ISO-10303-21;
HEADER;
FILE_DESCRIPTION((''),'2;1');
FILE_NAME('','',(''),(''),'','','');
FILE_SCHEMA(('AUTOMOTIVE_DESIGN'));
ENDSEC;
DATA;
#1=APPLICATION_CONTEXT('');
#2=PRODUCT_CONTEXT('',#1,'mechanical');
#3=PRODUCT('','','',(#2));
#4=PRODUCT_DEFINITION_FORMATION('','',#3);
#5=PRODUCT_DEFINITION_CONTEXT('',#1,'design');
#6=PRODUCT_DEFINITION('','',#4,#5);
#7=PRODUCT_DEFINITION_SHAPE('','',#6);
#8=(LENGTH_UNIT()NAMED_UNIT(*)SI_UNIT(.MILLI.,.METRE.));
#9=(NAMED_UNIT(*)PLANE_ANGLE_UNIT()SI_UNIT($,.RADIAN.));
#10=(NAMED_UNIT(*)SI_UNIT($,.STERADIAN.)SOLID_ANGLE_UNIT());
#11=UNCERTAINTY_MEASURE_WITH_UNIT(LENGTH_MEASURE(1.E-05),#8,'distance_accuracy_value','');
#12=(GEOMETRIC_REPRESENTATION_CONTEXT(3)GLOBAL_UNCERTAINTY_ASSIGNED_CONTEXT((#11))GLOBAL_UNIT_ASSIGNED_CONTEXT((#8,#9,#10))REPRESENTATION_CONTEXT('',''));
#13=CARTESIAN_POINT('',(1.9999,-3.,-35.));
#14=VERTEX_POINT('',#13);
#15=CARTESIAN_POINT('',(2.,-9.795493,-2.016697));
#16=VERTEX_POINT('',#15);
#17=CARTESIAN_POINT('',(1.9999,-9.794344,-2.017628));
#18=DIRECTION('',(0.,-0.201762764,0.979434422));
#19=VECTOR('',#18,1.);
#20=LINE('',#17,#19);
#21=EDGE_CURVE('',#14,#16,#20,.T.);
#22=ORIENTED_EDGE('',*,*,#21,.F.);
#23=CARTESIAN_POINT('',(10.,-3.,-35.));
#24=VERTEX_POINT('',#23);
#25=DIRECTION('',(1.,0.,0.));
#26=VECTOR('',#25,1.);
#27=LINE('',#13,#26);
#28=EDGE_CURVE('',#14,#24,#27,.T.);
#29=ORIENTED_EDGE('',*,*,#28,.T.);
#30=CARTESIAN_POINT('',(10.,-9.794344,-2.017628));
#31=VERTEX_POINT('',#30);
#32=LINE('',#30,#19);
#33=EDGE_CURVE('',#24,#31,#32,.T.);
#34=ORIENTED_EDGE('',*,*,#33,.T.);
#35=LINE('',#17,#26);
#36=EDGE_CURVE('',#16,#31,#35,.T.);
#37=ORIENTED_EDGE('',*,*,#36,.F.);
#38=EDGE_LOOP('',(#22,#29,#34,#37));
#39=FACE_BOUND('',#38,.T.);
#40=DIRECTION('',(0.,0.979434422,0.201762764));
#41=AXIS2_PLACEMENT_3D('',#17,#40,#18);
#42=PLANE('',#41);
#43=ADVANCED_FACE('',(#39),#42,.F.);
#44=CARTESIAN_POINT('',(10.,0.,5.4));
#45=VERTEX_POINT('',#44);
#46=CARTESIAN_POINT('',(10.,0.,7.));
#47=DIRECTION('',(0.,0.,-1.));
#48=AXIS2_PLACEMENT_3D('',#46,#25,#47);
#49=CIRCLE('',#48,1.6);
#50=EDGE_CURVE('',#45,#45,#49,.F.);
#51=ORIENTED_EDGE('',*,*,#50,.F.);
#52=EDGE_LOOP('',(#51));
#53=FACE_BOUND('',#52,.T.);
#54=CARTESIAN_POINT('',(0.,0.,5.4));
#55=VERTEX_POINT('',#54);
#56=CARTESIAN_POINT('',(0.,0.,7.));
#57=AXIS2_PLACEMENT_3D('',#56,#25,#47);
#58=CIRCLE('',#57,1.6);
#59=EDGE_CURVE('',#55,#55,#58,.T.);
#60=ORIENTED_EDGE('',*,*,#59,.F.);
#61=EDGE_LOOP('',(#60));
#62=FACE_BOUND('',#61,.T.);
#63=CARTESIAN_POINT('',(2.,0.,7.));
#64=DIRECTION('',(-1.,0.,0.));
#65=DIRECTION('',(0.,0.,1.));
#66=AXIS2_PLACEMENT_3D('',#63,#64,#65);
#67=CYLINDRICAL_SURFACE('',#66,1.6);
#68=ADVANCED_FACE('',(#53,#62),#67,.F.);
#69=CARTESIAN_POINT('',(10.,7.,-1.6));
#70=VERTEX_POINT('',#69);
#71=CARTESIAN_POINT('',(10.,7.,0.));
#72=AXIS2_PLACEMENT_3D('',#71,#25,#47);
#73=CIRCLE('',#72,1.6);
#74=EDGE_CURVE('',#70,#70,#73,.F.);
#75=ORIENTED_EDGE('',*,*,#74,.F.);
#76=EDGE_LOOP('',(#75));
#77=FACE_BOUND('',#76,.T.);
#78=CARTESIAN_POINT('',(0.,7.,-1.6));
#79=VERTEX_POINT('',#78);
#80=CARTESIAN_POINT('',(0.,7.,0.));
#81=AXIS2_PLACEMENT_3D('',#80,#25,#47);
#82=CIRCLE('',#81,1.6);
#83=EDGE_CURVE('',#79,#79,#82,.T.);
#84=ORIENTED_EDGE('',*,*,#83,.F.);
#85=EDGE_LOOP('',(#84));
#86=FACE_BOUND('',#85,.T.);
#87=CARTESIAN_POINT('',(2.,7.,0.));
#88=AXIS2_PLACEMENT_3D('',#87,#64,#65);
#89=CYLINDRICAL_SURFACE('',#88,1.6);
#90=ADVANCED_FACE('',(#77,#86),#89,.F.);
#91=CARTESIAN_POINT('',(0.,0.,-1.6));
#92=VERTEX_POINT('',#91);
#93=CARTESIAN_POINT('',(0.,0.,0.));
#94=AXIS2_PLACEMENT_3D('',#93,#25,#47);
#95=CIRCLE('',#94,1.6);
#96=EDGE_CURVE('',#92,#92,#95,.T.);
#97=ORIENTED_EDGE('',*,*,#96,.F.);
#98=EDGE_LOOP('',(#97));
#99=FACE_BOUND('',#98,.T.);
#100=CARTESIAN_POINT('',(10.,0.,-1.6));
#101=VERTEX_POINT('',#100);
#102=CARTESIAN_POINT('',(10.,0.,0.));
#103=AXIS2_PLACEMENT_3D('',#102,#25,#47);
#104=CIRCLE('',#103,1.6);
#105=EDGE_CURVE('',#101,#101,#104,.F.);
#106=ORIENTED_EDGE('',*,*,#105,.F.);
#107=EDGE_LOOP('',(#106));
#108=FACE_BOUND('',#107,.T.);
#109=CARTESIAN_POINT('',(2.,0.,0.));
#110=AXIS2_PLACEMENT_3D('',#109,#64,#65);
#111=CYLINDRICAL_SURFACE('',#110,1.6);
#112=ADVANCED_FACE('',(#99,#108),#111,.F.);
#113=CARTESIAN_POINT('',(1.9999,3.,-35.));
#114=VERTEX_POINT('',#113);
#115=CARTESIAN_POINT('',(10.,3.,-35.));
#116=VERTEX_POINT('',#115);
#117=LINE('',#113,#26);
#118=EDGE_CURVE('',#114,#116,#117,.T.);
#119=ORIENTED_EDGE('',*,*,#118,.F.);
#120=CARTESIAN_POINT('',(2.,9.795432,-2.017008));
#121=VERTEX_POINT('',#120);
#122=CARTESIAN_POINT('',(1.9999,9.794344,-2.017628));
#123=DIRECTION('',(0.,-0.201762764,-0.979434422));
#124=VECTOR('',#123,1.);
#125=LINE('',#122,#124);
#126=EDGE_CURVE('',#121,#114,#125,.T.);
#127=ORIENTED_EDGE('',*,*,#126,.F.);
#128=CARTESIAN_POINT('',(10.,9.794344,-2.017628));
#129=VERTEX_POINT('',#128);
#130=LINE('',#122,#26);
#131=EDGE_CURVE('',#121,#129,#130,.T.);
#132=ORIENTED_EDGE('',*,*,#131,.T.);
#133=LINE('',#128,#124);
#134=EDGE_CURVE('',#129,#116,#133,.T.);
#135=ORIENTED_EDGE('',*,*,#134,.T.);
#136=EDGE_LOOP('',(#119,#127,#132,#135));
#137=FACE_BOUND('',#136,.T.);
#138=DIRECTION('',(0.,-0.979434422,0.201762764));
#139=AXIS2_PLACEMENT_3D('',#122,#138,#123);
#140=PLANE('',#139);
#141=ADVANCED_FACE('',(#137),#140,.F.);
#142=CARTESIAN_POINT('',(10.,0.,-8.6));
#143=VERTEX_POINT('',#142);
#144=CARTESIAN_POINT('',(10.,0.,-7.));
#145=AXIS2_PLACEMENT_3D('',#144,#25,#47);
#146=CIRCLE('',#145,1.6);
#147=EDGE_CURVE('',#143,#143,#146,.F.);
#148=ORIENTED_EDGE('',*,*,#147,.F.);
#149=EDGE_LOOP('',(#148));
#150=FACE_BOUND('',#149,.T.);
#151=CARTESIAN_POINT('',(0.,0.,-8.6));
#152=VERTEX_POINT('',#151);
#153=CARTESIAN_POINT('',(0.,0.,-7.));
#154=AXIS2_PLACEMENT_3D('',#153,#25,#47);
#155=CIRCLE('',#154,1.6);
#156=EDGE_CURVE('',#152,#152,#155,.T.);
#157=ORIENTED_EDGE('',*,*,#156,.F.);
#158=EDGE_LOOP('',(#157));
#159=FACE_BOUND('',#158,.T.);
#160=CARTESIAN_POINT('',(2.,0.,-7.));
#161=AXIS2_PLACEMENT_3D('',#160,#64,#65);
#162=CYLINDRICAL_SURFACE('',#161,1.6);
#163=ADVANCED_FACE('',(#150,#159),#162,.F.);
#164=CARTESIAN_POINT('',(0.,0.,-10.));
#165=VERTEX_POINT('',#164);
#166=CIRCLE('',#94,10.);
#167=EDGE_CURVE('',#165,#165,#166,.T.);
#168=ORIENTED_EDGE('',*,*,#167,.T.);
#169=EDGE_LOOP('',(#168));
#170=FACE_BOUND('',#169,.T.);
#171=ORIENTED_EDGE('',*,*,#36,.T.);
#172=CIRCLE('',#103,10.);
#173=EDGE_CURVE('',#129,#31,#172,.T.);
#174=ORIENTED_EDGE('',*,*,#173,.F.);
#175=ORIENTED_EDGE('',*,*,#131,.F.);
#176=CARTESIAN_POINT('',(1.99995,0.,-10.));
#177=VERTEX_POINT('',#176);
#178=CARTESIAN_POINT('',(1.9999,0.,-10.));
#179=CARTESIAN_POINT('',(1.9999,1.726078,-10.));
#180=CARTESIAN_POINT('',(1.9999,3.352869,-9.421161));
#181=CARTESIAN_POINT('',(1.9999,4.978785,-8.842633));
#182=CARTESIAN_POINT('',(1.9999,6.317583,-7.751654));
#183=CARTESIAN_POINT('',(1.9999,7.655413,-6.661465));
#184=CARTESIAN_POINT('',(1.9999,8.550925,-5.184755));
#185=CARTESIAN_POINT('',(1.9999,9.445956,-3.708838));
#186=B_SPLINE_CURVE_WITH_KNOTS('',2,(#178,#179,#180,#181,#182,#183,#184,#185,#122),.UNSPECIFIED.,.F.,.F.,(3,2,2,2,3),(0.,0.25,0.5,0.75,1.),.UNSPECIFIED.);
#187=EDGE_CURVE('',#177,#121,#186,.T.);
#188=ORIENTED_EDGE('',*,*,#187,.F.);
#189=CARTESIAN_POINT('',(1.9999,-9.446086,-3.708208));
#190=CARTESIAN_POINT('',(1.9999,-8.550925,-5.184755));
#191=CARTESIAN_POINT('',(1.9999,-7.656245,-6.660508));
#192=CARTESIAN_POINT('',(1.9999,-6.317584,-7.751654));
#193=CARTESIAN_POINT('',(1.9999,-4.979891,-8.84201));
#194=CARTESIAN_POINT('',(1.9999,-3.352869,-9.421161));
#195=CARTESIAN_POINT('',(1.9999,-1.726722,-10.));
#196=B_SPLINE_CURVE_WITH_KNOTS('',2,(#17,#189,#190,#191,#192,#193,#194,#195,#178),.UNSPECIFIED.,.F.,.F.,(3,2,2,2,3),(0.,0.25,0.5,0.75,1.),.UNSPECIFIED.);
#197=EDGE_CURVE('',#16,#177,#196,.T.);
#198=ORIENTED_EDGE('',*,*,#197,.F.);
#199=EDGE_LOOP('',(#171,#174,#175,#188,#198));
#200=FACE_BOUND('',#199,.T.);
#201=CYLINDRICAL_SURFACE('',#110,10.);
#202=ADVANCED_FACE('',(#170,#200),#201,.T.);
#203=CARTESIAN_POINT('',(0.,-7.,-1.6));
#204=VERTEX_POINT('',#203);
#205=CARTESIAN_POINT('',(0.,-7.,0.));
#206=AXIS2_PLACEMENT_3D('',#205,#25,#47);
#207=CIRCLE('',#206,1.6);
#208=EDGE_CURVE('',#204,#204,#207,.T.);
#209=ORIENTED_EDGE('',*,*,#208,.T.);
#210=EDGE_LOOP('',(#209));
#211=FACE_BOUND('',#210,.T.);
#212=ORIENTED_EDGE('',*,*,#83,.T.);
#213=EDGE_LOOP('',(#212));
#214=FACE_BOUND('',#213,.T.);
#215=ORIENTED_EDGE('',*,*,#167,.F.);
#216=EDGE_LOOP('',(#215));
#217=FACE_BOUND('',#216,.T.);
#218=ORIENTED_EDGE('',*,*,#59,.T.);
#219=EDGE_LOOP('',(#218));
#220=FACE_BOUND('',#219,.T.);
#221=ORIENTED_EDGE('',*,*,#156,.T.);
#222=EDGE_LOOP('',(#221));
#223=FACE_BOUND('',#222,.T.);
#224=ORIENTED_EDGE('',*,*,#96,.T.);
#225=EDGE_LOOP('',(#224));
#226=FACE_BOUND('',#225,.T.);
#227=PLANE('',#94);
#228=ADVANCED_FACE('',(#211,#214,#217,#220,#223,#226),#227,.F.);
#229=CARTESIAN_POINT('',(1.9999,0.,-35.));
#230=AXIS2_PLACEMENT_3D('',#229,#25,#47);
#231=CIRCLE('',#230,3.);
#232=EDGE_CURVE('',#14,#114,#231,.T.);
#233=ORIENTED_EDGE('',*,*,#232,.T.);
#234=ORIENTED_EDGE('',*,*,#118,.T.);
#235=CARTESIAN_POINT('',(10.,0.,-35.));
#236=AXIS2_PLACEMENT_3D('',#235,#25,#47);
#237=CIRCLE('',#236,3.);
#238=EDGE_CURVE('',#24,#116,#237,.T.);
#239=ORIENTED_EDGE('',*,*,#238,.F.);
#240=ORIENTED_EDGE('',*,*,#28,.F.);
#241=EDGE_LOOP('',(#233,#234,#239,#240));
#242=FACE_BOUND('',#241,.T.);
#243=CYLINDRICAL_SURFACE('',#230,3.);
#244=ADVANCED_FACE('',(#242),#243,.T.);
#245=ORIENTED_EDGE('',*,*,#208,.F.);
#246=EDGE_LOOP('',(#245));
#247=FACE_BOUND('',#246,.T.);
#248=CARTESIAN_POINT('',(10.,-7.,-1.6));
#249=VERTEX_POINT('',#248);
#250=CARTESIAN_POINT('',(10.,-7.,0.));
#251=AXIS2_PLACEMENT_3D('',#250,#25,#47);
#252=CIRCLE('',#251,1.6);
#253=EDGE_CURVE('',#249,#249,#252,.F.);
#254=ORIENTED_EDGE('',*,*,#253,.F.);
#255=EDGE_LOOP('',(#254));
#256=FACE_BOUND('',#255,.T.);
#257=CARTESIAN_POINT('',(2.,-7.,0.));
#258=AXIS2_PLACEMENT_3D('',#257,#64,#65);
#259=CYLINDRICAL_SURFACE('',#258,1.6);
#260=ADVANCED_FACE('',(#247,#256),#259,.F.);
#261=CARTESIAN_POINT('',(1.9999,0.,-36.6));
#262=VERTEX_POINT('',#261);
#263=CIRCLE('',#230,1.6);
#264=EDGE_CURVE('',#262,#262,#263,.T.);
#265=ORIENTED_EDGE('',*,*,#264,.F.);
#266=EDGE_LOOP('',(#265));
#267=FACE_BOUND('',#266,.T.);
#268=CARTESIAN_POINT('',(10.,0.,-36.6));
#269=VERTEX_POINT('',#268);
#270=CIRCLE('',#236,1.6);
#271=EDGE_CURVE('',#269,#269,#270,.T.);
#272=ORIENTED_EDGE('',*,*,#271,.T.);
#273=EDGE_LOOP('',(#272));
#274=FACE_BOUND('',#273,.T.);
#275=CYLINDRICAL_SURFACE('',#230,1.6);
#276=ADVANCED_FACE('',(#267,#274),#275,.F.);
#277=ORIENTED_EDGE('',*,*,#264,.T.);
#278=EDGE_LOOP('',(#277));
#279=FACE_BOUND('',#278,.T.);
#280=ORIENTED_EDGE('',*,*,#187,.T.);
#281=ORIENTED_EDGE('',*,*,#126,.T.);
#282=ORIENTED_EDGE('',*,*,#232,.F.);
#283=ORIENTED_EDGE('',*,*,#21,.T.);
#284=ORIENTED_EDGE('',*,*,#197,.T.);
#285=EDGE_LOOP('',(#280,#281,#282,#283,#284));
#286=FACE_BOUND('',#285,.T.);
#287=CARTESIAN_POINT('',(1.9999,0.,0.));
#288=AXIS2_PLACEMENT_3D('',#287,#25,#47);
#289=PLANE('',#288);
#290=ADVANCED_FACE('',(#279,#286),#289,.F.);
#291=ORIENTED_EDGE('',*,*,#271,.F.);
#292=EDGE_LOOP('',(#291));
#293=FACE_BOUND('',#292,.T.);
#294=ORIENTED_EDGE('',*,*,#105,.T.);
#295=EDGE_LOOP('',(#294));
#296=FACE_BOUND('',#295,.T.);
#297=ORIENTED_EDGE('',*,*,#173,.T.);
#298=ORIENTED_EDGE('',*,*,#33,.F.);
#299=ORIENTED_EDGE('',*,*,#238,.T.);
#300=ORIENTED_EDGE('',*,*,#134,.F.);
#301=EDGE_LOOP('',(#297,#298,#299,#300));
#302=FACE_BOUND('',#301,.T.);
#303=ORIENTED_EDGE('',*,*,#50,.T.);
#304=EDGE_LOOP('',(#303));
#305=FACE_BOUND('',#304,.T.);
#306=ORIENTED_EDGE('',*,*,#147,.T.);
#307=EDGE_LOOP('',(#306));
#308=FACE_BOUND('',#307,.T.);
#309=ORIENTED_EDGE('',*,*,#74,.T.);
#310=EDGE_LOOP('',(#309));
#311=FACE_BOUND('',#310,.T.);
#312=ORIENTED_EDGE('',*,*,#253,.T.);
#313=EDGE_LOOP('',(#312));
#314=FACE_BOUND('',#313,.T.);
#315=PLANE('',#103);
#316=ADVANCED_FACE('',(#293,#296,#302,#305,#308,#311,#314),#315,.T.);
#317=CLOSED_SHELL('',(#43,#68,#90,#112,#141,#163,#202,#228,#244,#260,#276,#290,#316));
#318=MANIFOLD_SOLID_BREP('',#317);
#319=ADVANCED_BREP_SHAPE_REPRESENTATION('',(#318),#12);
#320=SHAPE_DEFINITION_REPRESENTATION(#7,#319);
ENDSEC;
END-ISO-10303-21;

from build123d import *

# Parameters (mm, degrees)
ESQUISSE1_R             = 10
ESQUISSE1_R_2           = 1.6
BOSS_EXTRU_1_DEPTH      = 2
BOSS_EXTRU_2_DEPTH      = 8
BOSS_EXTRU_2_DEPTH_BACK = 0.0001
ESQUISSE2_R             = 10
ESQUISSE2_R_2           = 1.6
ESQUISSE2_R_3           = 3


with BuildPart() as part:
    # Esquisse1 → Boss.-Extru.1 (new body)
    with BuildSketch(Plane(origin=(0, 0, 0), x_dir=(0, 0, -1), z_dir=(1, 0, 0))):
        Circle(ESQUISSE1_R)
        with Locations((0, 7)):
            Circle(ESQUISSE1_R_2, mode=Mode.SUBTRACT)
        with Locations((7, 0)):
            Circle(ESQUISSE1_R_2, mode=Mode.SUBTRACT)
        with Locations((0, -7)):
            Circle(ESQUISSE1_R_2, mode=Mode.SUBTRACT)
        with Locations((-7, 0)):
            Circle(ESQUISSE1_R_2, mode=Mode.SUBTRACT)
        Circle(ESQUISSE1_R_2, mode=Mode.SUBTRACT)
    extrude(amount=BOSS_EXTRU_1_DEPTH)

    # Esquisse2 → Boss.-Extru.2 (add, two sides: drawn at the far end of the back side and taken through both)
    # profile 1 of 3: a face of its own
    with BuildSketch(Plane(origin=(2, 0, 0), x_dir=(0, 0, -1), z_dir=(1, 0, 0)).offset(-BOSS_EXTRU_2_DEPTH_BACK)):
        Circle(ESQUISSE2_R)
        Circle(ESQUISSE2_R_2, mode=Mode.SUBTRACT)
        with Locations((0, 7)):
            Circle(ESQUISSE2_R_2, mode=Mode.SUBTRACT)
        with Locations((-7, 0)):
            Circle(ESQUISSE2_R_2, mode=Mode.SUBTRACT)
        with Locations((7, 0)):
            Circle(ESQUISSE2_R_2, mode=Mode.SUBTRACT)
        with Locations((0, -7)):
            Circle(ESQUISSE2_R_2, mode=Mode.SUBTRACT)
    # profile 2 of 3: a face of its own
    with BuildSketch(Plane(origin=(2, 0, 0), x_dir=(0, 0, -1), z_dir=(1, 0, 0)).offset(-BOSS_EXTRU_2_DEPTH_BACK)):
        with BuildLine():
            Line((35, 3), (2.017627638, 9.794344221))
            ThreePointArc((2.017627638, 9.794344221), (7.7516539, 6.317583542), (10, 0))
            ThreePointArc((10, 0), (7.7516539, -6.317583542), (2.017627638, -9.794344221))
            Line((2.017627638, -9.794344221), (35, -3))
            ThreePointArc((35, -3), (32, 0), (35, 3))
        make_face()
    # profile 3 of 3: a face of its own
    with BuildSketch(Plane(origin=(2, 0, 0), x_dir=(0, 0, -1), z_dir=(1, 0, 0)).offset(-BOSS_EXTRU_2_DEPTH_BACK)):
        with Locations((35, 0)):
            Circle(ESQUISSE2_R_3)
        with Locations((35, 0)):
            Circle(ESQUISSE2_R_2, mode=Mode.SUBTRACT)
    extrude(amount=BOSS_EXTRU_2_DEPTH + BOSS_EXTRU_2_DEPTH_BACK)


solid = part.part
